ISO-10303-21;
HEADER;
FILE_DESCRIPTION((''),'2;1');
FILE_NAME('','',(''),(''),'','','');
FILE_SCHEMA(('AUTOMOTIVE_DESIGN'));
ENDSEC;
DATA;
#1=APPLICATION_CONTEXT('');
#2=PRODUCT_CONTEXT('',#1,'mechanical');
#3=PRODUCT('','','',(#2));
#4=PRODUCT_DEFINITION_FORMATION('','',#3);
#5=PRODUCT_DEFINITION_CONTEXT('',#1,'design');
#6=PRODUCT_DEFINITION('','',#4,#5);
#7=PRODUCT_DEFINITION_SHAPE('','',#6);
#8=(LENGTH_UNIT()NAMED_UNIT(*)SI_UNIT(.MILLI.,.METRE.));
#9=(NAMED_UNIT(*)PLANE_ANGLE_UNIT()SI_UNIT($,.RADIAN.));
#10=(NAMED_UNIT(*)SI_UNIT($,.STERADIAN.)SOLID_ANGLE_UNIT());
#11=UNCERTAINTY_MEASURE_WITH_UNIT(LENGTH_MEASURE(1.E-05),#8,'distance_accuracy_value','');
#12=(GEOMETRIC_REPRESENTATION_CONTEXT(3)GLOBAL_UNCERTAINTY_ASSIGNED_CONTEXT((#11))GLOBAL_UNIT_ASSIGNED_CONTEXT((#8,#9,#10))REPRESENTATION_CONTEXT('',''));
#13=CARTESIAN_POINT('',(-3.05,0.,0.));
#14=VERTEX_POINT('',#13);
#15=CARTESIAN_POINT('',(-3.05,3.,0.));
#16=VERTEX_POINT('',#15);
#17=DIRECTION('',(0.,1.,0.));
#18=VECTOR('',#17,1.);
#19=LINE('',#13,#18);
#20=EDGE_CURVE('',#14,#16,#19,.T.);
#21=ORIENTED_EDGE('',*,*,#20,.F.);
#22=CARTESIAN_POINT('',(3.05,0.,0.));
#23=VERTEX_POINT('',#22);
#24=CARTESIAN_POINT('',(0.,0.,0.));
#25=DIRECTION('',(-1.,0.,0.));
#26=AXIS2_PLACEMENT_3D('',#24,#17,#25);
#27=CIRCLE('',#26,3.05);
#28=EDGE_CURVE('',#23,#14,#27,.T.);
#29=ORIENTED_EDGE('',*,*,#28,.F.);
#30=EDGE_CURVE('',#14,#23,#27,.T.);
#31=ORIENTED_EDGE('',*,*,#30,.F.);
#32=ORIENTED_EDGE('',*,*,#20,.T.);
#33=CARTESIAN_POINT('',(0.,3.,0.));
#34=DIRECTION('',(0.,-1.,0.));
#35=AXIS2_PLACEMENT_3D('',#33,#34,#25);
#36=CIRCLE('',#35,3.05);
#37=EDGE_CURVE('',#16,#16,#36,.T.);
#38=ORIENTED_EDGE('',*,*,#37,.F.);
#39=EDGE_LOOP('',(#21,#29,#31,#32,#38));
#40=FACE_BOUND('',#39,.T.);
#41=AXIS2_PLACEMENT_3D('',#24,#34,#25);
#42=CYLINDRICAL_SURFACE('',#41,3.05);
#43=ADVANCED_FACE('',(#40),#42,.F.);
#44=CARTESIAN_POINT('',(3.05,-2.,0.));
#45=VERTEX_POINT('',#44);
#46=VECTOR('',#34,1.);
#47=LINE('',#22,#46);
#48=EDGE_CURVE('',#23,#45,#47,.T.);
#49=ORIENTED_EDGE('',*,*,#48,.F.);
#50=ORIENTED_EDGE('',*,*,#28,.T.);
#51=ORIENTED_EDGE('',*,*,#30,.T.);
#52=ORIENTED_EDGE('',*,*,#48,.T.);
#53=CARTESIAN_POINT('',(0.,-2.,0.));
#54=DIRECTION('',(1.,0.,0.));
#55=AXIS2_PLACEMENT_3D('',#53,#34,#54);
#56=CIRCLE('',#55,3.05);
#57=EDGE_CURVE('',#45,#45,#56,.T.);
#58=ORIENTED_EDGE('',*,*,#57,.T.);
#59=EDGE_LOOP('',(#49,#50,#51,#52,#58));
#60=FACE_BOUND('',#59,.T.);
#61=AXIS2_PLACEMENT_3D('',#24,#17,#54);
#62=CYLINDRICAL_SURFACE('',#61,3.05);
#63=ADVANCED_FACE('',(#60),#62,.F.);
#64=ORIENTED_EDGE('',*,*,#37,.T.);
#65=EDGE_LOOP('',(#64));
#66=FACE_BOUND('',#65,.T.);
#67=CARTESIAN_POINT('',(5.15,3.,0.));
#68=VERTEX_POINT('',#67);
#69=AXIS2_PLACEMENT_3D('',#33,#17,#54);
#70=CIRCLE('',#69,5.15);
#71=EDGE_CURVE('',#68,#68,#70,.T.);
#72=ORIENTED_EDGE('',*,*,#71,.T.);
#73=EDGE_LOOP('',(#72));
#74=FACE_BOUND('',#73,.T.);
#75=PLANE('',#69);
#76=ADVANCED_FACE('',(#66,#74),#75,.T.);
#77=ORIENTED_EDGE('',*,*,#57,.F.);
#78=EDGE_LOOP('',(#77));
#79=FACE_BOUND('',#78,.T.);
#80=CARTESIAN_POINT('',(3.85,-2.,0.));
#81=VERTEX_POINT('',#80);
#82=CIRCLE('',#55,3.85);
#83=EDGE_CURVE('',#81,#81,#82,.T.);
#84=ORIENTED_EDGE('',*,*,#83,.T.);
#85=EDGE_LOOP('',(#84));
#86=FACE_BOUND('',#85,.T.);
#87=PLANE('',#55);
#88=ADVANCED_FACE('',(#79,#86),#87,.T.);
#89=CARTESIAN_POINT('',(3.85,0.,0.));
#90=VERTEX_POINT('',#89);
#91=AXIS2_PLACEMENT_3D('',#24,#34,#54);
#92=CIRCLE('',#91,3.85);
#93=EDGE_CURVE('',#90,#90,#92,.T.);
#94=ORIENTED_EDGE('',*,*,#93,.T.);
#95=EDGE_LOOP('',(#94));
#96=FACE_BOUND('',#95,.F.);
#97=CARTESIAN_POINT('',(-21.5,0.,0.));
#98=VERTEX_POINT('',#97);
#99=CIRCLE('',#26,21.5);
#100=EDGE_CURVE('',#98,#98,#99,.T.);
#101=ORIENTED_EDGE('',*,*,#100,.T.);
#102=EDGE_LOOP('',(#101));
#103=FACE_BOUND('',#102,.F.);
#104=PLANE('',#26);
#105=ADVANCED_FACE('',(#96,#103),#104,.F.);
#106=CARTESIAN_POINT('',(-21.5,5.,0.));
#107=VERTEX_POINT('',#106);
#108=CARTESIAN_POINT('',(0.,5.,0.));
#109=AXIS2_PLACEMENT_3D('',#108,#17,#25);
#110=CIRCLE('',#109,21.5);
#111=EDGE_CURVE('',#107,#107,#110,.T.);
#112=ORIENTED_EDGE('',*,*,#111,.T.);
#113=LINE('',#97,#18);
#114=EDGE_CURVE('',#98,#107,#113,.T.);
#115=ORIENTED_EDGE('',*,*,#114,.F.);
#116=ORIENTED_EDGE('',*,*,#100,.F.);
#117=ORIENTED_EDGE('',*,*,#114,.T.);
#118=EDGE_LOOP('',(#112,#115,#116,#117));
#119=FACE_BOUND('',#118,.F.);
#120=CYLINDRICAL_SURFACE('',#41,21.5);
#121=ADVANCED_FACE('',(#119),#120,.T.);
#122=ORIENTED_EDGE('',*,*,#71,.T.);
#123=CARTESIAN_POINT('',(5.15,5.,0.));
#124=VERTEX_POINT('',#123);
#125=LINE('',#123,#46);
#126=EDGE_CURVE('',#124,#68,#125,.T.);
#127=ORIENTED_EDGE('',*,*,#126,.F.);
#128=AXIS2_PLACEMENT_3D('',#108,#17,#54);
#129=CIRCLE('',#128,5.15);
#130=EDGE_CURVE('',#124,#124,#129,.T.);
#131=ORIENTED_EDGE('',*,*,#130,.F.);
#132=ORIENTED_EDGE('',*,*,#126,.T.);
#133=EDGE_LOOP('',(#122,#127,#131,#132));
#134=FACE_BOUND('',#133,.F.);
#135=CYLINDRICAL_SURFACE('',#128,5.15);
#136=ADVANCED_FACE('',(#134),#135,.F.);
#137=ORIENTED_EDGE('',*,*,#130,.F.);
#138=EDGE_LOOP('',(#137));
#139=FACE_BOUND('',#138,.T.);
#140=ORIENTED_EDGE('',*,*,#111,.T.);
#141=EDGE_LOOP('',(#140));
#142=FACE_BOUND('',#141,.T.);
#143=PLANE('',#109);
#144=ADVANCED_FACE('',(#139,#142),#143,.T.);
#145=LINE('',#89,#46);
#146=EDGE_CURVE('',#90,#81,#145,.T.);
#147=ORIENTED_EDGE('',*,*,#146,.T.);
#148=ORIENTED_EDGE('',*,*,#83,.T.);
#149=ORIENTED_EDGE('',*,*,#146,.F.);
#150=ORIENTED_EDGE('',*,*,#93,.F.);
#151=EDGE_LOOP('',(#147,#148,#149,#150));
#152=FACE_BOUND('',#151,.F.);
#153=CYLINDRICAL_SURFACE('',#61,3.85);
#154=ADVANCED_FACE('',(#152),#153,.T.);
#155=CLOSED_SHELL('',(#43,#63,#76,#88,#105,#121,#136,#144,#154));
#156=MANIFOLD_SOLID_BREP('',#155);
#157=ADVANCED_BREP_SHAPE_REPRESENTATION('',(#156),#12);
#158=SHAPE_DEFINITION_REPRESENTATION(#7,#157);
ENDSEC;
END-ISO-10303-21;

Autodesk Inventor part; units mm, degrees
ref_plane "YZ Plane" through (0, 0, 0) normal (1, 0, 0) x (0, 1, 0)
ref_plane "XZ Plane" through (0, 0, 0) normal (0, 1, 0) x (-1, 0, 0)
ref_plane "XY Plane" through (0, 0, 0) normal (0, 0, 1) x (1, 0, 0)
sketch "Boceto1" plane through (0, 0, 0) normal (0, 1, 0) x (-1, 0, 0)
  circle A0 centre (0, 0) radius 21.5
  circle A1 centre (0, 0) radius 3.05
  dimension "d0" = 43
  dimension "d1" = 6.1
extrude "Extrusión1" add sketch "Boceto1" along normal blind 5
sketch "Boceto2" plane through (0, 5, 0) normal (0, 1, 0) x (1, 0, 0)
  circle A0 centre (0, 0) radius 5.15
  dimension "d4" = 10.3
extrude "Extrusión2" cut sketch "Boceto2" against normal blind 2
sketch "Boceto5" plane through (0, 0, 0) normal (0, -1, 0) x (1, 0, 0)
  circle A0 centre (0, 0) radius 3.85
  circle A1 centre (0, 0) radius 3.05 projected
  dimension "d9" = 7.7
extrude "Extrusión3" add sketch "Boceto5" along normal blind 2
properties part number "Pulley Top"
